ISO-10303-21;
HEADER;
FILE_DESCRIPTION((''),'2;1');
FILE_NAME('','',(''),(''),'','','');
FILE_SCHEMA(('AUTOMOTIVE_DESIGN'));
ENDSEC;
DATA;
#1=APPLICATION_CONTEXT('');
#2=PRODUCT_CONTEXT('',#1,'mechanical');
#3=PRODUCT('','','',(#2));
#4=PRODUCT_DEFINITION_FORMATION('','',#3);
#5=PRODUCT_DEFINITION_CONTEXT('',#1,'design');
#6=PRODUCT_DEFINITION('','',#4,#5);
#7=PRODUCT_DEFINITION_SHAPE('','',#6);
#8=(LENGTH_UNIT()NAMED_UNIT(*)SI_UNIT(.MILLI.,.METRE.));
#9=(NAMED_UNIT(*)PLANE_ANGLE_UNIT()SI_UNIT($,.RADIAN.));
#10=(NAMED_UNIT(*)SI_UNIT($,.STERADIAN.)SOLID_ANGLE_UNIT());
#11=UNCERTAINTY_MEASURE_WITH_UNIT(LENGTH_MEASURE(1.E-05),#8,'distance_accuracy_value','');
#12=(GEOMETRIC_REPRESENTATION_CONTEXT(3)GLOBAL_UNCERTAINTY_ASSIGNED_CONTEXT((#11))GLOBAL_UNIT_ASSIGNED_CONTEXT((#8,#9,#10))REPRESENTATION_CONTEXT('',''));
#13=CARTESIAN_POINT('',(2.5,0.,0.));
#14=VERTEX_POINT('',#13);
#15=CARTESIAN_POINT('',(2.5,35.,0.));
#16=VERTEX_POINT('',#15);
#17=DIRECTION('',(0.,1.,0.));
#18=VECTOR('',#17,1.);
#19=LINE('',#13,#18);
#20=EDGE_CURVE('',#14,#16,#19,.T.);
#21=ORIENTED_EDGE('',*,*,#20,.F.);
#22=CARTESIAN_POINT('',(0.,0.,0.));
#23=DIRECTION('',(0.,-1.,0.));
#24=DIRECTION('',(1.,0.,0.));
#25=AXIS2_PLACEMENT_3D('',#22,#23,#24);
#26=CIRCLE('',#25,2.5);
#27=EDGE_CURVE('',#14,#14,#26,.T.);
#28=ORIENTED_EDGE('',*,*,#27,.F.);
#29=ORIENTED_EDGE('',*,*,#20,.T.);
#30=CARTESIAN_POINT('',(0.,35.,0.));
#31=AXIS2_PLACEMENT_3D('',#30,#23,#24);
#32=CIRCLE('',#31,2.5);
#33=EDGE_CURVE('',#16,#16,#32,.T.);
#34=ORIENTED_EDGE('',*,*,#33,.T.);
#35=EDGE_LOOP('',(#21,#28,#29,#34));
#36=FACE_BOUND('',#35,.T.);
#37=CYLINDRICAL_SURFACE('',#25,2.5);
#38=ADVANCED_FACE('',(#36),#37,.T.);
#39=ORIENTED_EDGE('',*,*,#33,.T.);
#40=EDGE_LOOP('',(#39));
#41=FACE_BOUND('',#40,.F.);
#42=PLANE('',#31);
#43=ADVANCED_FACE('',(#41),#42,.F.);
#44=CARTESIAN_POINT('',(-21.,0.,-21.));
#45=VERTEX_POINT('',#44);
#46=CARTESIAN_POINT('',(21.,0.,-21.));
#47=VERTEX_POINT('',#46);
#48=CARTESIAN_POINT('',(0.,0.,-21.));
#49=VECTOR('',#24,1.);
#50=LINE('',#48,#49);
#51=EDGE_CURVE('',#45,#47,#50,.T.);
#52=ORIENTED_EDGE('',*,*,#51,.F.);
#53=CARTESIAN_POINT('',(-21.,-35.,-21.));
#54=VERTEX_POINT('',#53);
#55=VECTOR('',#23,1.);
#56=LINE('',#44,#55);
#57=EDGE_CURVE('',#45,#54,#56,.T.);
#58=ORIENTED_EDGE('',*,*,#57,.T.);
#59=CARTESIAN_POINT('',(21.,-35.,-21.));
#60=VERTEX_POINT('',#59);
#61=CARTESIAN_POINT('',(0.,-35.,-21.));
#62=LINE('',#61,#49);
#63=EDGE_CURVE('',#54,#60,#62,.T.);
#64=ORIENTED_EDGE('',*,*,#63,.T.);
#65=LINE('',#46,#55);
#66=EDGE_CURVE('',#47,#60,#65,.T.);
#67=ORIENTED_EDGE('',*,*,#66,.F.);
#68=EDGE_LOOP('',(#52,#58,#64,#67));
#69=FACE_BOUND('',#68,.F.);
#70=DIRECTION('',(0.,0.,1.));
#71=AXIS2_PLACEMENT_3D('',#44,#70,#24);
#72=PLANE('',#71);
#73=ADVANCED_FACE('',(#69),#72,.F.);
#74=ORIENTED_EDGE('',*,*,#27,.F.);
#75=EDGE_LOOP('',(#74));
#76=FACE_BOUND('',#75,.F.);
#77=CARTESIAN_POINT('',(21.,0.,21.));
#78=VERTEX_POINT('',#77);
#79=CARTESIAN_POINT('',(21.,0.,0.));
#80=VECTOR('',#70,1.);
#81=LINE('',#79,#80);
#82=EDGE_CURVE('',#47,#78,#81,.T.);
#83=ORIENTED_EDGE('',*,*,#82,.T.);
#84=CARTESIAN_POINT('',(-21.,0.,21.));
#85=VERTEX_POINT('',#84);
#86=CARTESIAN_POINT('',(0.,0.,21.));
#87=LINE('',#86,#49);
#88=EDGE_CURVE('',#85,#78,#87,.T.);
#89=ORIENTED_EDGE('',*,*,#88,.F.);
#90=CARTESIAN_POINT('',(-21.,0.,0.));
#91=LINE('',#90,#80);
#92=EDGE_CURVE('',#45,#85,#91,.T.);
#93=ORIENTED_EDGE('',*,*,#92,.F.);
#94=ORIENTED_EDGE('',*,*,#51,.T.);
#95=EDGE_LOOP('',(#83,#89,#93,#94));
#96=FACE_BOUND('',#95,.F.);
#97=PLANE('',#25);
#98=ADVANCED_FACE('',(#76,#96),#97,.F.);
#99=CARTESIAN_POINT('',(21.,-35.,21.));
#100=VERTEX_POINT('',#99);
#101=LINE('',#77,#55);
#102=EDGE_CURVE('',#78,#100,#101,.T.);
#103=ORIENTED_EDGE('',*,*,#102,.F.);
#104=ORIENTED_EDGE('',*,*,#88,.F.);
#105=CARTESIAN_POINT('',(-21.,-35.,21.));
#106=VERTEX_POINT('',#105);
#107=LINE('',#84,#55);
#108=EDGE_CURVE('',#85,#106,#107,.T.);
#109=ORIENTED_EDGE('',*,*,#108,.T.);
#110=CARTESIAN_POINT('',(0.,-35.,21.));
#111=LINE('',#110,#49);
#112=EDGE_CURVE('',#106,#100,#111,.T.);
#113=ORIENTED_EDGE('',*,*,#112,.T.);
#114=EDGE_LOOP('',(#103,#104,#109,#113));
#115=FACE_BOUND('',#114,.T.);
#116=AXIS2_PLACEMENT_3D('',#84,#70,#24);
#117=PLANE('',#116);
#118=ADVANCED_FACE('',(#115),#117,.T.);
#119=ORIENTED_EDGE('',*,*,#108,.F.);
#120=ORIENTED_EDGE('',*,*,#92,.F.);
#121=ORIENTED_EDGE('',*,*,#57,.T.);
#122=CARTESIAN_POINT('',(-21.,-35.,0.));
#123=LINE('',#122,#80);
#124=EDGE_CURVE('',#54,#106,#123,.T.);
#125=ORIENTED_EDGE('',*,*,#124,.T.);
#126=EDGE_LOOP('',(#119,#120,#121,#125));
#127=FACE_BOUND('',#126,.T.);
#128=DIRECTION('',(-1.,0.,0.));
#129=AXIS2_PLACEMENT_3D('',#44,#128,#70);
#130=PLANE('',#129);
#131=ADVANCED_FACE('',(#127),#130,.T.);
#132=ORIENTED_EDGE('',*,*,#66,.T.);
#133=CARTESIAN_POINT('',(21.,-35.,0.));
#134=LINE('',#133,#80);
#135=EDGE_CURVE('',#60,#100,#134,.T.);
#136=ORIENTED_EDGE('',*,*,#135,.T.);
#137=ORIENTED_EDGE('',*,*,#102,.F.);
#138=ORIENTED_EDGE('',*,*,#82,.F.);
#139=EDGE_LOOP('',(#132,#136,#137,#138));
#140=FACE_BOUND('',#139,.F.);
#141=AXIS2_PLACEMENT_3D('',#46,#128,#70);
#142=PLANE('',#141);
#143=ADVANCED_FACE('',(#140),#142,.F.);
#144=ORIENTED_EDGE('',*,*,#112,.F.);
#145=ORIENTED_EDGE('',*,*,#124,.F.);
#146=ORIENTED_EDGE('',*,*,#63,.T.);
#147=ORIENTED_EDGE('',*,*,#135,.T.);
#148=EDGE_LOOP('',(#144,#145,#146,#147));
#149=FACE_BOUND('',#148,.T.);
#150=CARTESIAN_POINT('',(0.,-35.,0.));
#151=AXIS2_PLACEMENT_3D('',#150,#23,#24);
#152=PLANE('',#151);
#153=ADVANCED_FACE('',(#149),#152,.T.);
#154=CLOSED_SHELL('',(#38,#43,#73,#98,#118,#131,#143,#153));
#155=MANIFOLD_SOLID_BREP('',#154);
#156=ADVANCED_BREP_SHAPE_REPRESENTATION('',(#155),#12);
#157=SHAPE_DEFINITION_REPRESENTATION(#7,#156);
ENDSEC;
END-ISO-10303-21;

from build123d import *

# Parameters (mm, degrees)
F0_W     = 42
F0_H     = 42
F0_R     = 2.5
F1_DEPTH = 35
F2_DEPTH = 35


with BuildPart() as f1:
    # F0 (on Front) → F1 (new body)
    with BuildSketch(Plane.XZ):
        Rectangle(F0_W, F0_H)
        Circle(F0_R, mode=Mode.SUBTRACT)
        Circle(F0_R)
    extrude(amount=F1_DEPTH)

    # F0 (on Front) → F2 (join)
    with BuildSketch(Plane.XZ):
        Circle(F0_R)
    extrude(amount=-F2_DEPTH)


solid = f1.part
